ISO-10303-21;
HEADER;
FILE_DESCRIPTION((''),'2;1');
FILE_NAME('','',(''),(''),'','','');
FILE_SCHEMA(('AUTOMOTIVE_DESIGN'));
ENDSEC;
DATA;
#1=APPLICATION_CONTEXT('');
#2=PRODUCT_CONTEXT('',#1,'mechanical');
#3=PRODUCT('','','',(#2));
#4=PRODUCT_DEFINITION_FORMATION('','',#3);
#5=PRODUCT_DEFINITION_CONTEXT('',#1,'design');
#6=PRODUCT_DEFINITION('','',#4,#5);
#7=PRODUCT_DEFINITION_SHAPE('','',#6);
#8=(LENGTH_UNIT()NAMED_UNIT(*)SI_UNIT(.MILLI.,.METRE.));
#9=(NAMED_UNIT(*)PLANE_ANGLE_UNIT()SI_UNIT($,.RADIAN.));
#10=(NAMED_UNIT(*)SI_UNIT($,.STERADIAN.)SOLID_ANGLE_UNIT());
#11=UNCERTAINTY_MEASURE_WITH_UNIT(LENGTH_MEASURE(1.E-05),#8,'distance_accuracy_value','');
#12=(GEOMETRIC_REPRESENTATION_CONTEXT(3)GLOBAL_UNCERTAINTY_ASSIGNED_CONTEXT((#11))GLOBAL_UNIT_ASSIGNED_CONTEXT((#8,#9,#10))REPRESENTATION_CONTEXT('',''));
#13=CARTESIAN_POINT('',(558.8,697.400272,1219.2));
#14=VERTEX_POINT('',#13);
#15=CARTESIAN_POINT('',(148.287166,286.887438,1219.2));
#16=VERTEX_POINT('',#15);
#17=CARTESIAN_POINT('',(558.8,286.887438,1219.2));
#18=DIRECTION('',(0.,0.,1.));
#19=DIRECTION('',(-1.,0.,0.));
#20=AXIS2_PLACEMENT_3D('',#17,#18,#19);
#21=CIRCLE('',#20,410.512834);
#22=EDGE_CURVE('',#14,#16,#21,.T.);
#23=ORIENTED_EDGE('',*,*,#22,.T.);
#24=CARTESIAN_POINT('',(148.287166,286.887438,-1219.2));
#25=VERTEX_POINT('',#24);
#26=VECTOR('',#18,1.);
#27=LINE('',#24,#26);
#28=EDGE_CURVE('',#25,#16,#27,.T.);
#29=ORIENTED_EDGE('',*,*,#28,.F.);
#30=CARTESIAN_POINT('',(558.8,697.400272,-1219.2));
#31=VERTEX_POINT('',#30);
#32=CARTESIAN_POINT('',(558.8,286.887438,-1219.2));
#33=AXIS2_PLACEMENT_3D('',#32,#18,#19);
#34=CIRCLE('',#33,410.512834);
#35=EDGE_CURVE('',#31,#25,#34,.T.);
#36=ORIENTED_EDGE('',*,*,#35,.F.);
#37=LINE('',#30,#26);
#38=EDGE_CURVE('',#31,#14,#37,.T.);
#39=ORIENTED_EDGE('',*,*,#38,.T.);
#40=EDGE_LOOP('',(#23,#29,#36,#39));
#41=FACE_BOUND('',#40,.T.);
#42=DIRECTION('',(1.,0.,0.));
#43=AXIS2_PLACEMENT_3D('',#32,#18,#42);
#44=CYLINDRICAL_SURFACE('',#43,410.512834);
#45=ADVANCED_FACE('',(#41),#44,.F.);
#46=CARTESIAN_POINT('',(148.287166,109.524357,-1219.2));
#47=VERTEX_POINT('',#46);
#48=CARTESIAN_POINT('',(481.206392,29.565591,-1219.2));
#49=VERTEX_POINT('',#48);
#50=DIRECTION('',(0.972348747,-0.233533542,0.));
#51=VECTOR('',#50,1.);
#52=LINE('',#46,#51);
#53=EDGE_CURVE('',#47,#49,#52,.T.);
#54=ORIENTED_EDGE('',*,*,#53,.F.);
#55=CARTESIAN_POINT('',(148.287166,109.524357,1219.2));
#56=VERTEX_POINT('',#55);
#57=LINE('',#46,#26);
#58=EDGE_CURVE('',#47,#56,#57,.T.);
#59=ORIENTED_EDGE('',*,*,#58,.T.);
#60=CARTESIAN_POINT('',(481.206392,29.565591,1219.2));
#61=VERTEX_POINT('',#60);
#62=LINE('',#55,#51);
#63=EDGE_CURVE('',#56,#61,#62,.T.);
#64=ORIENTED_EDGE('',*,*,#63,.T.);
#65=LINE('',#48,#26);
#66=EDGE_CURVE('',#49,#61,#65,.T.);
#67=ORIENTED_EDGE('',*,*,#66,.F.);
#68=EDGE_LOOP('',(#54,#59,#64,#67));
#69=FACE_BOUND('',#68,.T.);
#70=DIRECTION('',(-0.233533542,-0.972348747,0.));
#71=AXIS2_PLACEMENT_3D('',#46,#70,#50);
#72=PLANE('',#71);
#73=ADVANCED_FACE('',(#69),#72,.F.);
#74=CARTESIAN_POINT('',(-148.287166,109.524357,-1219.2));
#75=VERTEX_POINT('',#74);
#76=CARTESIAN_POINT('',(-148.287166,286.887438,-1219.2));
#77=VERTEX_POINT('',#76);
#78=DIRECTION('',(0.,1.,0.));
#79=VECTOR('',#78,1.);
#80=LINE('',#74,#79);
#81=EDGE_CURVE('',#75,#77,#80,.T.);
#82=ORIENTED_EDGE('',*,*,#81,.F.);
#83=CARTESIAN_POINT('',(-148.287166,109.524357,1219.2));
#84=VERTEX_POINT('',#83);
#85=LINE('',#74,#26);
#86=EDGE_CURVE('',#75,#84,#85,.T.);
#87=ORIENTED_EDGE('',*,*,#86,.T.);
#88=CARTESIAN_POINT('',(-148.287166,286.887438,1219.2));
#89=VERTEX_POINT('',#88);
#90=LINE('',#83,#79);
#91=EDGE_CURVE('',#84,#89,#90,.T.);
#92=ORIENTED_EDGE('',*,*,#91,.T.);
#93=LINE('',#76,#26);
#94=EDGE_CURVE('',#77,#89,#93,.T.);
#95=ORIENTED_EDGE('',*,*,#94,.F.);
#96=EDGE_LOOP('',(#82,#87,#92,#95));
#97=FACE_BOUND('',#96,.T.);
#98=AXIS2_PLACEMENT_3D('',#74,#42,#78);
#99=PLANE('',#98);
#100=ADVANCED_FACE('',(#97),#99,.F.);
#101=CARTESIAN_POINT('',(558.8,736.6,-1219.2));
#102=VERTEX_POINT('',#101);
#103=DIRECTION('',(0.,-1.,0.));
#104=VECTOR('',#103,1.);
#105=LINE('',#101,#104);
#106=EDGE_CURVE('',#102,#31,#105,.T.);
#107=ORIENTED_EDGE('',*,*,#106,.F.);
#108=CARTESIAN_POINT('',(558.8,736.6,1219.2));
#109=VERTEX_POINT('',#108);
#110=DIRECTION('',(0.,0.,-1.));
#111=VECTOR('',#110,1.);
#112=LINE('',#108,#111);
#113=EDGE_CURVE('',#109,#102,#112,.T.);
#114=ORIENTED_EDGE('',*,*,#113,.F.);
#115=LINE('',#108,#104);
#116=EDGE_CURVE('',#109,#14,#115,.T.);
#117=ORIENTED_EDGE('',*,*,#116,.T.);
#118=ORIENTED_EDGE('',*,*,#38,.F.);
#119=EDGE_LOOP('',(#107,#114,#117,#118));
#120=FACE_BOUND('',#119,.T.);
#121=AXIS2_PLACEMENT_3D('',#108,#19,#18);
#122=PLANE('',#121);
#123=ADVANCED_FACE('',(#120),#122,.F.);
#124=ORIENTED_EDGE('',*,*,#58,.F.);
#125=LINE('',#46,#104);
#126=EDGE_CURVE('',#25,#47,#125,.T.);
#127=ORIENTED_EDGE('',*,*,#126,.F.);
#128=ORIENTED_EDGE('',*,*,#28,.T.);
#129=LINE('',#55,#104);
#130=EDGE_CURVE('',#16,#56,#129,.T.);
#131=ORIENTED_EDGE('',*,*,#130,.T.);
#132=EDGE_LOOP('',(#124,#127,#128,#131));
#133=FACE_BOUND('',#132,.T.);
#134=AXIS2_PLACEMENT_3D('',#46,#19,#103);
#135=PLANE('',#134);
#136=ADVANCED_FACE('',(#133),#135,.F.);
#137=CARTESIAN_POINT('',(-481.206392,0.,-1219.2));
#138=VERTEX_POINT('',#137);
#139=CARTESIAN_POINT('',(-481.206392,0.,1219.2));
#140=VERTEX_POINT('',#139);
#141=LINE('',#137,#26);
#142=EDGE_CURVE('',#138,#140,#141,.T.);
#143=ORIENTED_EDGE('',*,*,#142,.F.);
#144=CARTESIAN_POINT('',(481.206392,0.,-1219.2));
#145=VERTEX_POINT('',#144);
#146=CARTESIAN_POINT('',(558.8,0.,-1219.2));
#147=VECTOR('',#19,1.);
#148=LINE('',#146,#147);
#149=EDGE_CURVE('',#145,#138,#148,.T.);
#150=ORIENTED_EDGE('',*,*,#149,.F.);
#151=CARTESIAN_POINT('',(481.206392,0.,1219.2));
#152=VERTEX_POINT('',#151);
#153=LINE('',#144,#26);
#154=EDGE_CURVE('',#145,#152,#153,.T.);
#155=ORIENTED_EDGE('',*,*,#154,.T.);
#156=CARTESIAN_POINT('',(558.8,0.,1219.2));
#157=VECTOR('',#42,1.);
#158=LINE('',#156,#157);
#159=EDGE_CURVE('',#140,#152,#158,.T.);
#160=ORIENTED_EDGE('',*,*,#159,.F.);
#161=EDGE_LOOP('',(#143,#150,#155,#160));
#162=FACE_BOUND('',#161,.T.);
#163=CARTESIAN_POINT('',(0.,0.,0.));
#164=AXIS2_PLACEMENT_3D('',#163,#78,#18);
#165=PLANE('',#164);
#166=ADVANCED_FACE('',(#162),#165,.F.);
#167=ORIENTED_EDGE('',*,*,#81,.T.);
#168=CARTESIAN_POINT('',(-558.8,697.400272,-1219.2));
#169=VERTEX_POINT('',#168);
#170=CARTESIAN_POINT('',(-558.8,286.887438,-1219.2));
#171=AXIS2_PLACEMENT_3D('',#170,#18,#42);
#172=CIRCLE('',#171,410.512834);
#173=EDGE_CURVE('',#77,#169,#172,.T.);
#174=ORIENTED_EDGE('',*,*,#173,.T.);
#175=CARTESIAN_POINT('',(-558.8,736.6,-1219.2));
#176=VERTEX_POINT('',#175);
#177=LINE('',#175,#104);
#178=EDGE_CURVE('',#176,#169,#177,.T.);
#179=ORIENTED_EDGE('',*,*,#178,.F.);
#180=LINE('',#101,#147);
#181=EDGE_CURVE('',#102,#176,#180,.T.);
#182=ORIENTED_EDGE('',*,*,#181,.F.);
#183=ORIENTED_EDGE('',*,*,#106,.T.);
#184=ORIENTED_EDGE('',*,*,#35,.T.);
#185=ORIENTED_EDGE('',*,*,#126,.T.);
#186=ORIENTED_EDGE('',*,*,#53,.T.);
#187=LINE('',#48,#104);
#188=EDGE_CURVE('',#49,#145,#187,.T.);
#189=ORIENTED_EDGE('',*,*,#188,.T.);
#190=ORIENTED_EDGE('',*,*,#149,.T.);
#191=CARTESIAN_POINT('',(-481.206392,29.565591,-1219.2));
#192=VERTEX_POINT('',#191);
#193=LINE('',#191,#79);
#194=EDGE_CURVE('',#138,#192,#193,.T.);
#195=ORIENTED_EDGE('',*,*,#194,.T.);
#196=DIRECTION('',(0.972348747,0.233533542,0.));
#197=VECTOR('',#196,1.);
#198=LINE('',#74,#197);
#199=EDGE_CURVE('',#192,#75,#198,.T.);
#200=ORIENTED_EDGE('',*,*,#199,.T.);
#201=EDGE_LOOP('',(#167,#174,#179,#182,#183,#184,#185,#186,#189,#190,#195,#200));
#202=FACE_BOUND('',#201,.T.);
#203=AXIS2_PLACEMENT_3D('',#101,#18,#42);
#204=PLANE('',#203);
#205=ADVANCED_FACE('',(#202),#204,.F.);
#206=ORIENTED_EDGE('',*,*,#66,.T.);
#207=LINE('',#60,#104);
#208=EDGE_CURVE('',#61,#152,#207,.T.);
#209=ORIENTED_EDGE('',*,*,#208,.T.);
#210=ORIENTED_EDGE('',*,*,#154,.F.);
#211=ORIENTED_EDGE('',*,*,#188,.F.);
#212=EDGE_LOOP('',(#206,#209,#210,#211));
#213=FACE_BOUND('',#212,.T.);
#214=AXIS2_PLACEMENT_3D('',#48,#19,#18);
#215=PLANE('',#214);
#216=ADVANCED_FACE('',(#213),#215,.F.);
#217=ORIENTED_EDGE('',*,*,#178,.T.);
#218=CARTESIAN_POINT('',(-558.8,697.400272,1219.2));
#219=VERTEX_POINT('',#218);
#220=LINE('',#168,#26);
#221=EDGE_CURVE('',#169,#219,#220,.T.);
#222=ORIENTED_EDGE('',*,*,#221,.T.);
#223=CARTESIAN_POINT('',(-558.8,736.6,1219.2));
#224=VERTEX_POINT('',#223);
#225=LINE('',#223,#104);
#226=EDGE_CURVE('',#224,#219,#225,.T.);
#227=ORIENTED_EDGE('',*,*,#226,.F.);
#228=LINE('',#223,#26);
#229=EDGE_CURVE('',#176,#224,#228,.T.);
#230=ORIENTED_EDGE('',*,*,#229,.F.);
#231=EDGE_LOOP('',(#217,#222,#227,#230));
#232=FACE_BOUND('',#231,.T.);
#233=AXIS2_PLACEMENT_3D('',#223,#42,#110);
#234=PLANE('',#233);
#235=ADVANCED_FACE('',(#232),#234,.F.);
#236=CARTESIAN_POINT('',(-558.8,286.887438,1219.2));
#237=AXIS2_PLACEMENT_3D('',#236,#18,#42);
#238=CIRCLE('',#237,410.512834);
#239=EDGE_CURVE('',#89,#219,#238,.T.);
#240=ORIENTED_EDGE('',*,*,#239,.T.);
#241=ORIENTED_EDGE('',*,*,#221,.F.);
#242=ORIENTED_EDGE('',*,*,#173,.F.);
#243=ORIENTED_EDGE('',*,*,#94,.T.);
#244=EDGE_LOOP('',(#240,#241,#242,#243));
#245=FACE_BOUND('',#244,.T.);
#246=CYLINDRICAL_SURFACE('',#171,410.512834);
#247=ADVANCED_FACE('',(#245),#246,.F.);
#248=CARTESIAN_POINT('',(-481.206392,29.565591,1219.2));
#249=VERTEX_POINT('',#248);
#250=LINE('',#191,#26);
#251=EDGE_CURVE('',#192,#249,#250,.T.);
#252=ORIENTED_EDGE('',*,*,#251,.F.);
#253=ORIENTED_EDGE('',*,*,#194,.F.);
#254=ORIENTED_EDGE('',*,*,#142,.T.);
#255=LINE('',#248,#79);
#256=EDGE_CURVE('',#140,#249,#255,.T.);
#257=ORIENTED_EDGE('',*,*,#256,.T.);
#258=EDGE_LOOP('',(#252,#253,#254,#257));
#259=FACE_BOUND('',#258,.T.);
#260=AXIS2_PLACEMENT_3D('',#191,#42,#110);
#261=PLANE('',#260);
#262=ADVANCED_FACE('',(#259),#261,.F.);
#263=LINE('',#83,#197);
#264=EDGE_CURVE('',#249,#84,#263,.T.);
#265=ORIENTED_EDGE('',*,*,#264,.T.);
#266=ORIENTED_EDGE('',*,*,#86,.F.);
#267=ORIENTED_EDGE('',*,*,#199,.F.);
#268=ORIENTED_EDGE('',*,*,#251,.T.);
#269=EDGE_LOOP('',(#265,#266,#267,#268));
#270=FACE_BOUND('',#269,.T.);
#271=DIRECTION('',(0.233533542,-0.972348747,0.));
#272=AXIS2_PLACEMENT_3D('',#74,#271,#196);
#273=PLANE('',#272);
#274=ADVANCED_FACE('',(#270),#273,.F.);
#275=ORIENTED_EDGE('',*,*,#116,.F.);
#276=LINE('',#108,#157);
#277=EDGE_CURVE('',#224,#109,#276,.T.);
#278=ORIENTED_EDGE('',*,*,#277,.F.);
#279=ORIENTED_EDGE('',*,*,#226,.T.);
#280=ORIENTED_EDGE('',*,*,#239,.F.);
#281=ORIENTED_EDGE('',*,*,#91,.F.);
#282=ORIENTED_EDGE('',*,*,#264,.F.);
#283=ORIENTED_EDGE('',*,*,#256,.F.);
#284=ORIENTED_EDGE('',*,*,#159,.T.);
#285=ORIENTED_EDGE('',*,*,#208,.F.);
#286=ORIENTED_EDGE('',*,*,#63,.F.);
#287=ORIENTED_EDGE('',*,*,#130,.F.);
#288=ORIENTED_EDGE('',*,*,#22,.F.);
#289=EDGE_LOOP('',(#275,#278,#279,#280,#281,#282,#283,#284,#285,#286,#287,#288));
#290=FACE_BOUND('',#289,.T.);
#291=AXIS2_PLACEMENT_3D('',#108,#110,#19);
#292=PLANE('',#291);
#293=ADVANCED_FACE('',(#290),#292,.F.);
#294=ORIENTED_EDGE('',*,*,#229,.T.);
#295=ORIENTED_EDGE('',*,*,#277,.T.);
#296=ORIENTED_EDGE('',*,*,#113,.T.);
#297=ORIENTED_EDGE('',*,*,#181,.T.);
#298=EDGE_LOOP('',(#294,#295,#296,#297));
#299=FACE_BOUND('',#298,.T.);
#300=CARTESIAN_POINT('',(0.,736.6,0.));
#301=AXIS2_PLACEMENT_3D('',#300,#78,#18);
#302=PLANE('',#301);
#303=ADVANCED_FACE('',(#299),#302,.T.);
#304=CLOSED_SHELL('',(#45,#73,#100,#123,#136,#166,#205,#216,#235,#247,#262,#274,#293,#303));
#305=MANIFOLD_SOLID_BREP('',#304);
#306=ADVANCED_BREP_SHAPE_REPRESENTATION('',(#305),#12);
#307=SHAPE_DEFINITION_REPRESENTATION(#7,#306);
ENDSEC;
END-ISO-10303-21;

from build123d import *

# Parameters (mm, degrees)
SKETCH2_W           = 1117.6
SKETCH2_H           = 2438.4
BOSS_EXTRUDE1_DEPTH = 736.6
CUT_EXTRUDE1_DEPTH  = 2439.4


with BuildPart() as part:
    # Sketch2 → Boss-Extrude1 (new body)
    with BuildSketch(Plane(origin=(0, 0, 0), x_dir=(1, 0, 0), z_dir=(0, 1, 0))):
        Rectangle(SKETCH2_W, SKETCH2_H)
    extrude(amount=BOSS_EXTRUDE1_DEPTH)

    # Sketch3 → Cut-Extrude1 (cut, through all)
    with BuildSketch(Plane.XY.offset(1219.2)):
        with BuildLine():
            Line((-148.287166209, 109.524357008), (-148.287166209, 286.88743816))
            ThreePointArc((-148.287166209, 286.88743816), (-268.523591462, 577.163846698), (-558.8, 697.400271951))
            Line((-558.8, 697.400271951), (-558.8, 0))
            Line((-558.8, 0), (-481.206392305, 0))
            Line((-481.206392305, 0), (-481.206392305, 29.565590915))
            Line((-481.206392305, 29.565590915), (-148.287166209, 109.524357008))
        make_face()
        with BuildLine():
            Line((558.8, 0), (481.206392305, 0))
            Line((481.206392305, 0), (481.206392305, 29.565590915))
            Line((481.206392305, 29.565590915), (148.287166209, 109.524357008))
            Line((148.287166209, 109.524357008), (148.287166209, 286.88743816))
            ThreePointArc((148.287166209, 286.88743816), (268.523591462, 577.163846698), (558.8, 697.400271951))
            Line((558.8, 697.400271951), (558.8, 0))
        make_face()
    extrude(amount=-CUT_EXTRUDE1_DEPTH, mode=Mode.SUBTRACT)


solid = part.part
